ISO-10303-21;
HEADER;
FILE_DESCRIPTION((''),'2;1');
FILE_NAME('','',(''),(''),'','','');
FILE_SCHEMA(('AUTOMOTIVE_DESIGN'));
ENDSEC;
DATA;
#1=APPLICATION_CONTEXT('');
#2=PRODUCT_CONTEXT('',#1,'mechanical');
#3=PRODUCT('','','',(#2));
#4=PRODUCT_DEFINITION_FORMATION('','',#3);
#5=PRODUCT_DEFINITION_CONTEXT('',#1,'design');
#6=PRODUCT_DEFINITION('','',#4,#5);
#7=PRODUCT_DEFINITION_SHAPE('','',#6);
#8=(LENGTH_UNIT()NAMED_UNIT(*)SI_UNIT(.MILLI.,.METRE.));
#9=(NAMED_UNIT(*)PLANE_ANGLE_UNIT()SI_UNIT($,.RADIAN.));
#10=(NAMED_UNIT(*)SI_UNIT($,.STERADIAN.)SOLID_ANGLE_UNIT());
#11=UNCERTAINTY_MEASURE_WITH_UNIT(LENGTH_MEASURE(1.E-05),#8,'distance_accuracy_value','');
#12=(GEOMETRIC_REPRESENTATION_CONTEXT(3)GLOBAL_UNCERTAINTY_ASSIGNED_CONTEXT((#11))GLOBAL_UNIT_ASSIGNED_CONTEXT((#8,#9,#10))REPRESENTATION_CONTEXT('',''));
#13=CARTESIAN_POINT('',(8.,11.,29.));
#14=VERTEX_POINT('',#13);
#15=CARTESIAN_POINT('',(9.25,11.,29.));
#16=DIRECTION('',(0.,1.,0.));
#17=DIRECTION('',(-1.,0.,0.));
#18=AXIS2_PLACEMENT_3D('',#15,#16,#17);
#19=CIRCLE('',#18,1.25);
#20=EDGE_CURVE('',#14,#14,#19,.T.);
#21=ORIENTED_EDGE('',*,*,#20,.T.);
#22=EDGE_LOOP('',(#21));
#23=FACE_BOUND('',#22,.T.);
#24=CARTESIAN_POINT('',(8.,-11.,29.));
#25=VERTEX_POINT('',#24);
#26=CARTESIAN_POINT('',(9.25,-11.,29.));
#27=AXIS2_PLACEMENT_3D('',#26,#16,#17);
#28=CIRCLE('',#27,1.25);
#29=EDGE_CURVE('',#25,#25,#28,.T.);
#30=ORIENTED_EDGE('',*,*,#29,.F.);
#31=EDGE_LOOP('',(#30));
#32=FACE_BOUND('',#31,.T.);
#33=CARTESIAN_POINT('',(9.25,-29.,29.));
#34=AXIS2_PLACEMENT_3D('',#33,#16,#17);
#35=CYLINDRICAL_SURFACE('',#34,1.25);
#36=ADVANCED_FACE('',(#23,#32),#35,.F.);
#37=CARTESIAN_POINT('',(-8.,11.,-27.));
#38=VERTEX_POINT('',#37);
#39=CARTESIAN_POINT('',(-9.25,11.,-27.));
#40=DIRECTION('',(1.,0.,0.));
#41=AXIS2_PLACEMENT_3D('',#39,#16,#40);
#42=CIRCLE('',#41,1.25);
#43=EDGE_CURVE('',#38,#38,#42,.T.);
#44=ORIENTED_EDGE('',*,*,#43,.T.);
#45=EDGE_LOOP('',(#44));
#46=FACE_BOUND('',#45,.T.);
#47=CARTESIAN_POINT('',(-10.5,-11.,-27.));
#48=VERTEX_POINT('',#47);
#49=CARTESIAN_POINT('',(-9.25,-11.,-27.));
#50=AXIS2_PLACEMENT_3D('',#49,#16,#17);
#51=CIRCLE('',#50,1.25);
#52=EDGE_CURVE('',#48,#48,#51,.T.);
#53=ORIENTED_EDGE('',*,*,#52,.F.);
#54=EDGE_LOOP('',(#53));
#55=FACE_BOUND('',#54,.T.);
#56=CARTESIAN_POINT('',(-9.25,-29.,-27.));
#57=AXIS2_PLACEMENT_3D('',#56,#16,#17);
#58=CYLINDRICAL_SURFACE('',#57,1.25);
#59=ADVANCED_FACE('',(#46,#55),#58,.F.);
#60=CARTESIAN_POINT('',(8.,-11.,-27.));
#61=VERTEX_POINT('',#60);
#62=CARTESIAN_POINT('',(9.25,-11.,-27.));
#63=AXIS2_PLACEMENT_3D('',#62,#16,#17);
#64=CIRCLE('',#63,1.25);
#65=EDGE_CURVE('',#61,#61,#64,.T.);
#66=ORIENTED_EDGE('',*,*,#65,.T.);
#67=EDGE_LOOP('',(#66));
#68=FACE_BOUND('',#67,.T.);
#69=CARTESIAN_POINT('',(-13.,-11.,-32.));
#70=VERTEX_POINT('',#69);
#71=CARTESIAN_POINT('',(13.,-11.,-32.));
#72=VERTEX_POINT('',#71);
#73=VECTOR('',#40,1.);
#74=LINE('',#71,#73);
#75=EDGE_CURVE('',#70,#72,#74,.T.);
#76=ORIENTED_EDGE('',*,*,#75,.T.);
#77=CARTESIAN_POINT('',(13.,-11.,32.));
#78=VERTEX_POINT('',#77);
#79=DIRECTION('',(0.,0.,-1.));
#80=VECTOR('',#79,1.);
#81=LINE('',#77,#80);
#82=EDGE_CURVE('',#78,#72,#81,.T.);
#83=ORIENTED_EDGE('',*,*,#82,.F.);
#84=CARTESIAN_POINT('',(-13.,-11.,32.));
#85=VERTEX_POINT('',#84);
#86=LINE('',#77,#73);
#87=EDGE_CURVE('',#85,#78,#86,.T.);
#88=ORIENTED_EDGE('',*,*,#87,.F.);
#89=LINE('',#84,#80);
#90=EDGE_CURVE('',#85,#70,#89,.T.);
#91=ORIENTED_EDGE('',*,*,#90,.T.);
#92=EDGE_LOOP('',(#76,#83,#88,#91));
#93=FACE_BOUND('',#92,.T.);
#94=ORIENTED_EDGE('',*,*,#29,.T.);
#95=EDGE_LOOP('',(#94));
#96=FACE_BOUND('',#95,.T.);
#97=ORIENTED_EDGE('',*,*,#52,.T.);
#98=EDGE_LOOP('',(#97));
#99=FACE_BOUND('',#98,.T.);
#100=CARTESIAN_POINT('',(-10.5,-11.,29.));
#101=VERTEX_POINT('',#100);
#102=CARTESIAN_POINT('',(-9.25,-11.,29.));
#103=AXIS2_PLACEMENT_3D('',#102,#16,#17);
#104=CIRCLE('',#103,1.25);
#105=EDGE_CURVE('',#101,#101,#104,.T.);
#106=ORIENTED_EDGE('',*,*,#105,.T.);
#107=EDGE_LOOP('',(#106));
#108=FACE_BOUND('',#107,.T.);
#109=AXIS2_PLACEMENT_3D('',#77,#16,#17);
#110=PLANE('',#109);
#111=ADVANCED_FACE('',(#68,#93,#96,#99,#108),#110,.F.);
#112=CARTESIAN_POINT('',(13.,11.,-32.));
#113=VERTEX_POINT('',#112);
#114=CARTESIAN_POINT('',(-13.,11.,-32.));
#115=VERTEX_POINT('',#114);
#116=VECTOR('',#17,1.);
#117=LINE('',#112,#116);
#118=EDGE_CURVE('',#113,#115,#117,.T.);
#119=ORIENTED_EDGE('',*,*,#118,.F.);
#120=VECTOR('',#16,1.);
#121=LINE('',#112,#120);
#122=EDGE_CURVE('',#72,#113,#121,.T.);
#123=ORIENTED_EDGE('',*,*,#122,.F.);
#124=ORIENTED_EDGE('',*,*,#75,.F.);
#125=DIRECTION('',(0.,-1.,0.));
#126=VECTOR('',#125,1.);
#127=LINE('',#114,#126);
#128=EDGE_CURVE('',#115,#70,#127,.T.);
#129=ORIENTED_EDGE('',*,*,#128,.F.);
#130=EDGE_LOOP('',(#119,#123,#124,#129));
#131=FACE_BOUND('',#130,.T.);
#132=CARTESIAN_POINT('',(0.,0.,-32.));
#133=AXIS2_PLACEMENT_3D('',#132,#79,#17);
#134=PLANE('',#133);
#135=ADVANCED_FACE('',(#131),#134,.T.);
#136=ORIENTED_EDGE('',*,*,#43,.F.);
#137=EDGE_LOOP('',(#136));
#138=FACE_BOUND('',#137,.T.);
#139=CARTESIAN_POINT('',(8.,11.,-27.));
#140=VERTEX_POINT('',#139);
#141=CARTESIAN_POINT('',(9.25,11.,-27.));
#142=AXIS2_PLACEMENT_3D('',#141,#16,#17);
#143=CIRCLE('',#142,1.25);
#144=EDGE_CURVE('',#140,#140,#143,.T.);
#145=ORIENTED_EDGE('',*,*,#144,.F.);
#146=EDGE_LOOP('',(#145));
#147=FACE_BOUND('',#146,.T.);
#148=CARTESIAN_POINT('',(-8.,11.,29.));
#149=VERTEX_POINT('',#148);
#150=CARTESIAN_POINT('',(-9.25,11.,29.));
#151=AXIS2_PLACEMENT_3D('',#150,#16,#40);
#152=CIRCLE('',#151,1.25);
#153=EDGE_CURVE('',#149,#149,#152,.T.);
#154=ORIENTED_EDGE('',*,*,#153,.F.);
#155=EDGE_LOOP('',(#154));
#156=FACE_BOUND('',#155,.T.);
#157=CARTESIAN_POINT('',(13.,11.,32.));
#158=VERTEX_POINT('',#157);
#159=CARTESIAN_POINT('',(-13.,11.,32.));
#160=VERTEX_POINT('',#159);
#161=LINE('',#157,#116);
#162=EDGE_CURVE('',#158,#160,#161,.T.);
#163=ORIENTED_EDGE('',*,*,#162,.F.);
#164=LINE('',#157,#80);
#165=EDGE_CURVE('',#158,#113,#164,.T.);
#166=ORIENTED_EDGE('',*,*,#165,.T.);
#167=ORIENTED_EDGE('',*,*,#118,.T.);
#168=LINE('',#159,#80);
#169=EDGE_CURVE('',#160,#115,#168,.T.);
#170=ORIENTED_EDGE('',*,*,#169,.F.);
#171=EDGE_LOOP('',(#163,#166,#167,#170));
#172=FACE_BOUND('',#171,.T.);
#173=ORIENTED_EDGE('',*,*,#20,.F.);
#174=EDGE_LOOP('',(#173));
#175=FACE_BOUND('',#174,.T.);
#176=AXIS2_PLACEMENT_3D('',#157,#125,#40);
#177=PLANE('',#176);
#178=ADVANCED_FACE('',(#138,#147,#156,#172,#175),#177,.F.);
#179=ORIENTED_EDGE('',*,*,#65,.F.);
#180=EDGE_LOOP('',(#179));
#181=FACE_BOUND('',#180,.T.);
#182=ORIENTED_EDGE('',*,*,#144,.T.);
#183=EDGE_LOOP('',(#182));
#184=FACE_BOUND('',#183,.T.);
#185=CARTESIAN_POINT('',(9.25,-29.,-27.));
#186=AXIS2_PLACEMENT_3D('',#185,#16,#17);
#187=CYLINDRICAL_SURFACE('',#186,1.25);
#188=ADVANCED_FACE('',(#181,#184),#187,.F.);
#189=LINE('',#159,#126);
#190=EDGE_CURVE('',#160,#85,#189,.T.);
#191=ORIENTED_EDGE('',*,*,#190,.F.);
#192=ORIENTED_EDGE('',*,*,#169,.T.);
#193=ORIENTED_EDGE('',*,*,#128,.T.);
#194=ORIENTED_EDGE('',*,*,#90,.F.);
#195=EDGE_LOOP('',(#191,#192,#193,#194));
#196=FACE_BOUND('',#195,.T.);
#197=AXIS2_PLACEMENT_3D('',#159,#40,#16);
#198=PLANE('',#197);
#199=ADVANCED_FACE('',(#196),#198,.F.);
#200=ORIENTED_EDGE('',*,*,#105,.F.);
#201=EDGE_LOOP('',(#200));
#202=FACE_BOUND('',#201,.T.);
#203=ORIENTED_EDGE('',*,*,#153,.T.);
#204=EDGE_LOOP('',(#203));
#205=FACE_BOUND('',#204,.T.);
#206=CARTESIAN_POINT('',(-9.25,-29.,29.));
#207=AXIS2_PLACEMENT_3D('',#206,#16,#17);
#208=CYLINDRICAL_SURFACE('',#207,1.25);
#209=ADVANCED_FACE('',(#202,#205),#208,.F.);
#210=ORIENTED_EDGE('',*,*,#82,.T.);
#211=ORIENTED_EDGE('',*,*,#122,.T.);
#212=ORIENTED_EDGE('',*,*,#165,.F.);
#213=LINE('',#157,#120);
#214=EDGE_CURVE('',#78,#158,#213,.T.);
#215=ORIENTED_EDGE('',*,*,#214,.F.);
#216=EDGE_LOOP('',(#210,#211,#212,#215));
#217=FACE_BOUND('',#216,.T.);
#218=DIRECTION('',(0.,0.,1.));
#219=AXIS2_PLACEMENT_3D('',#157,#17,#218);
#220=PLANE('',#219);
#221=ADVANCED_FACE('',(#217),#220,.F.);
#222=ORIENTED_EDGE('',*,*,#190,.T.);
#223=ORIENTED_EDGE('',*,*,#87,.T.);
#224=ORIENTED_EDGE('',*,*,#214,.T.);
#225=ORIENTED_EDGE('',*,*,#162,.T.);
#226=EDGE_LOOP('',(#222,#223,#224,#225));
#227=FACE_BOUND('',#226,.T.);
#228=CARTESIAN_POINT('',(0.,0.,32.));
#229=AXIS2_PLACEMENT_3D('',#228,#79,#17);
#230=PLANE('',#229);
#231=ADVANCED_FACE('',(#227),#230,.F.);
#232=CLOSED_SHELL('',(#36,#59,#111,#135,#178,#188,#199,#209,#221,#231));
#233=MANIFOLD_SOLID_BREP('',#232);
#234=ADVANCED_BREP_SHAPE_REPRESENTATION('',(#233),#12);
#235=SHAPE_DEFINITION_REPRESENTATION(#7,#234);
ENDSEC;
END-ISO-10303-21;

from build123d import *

# Parameters (mm, degrees)
SKETCH_1_W          = 26
SKETCH_1_H          = 22
EXTRUDE_1_DEPTH     = 32
SKETCH_2_R          = 1.25
CUT_EXTRUDE_1_DEPTH = 40


with BuildPart() as part:
    # 草图1 → 凸台-拉伸1 (new, symmetric)
    with BuildSketch(Plane.XY):
        Rectangle(SKETCH_1_W, SKETCH_1_H)
    extrude(amount=EXTRUDE_1_DEPTH, both=True)

    # 草图2 → 切除-拉伸1 (cut)
    with BuildSketch(Plane(origin=(0, 11, 0), x_dir=(1, 0, 0), z_dir=(0, 1, 0))):
        with Locations(Location((9.25, -29, 0), (0, 0, 180))):
            Circle(SKETCH_2_R)
        with Locations(Location((9.25, 27, 0), (0, 0, 180))):
            Circle(SKETCH_2_R)
        with Locations(Location((-9.25, 27, 0), (0, 0, 180))):
            Circle(SKETCH_2_R)
        with Locations(Location((-9.25, -29, 0), (0, 0, 180))):
            Circle(SKETCH_2_R)
    extrude(amount=-CUT_EXTRUDE_1_DEPTH, mode=Mode.SUBTRACT)


solid = part.part
